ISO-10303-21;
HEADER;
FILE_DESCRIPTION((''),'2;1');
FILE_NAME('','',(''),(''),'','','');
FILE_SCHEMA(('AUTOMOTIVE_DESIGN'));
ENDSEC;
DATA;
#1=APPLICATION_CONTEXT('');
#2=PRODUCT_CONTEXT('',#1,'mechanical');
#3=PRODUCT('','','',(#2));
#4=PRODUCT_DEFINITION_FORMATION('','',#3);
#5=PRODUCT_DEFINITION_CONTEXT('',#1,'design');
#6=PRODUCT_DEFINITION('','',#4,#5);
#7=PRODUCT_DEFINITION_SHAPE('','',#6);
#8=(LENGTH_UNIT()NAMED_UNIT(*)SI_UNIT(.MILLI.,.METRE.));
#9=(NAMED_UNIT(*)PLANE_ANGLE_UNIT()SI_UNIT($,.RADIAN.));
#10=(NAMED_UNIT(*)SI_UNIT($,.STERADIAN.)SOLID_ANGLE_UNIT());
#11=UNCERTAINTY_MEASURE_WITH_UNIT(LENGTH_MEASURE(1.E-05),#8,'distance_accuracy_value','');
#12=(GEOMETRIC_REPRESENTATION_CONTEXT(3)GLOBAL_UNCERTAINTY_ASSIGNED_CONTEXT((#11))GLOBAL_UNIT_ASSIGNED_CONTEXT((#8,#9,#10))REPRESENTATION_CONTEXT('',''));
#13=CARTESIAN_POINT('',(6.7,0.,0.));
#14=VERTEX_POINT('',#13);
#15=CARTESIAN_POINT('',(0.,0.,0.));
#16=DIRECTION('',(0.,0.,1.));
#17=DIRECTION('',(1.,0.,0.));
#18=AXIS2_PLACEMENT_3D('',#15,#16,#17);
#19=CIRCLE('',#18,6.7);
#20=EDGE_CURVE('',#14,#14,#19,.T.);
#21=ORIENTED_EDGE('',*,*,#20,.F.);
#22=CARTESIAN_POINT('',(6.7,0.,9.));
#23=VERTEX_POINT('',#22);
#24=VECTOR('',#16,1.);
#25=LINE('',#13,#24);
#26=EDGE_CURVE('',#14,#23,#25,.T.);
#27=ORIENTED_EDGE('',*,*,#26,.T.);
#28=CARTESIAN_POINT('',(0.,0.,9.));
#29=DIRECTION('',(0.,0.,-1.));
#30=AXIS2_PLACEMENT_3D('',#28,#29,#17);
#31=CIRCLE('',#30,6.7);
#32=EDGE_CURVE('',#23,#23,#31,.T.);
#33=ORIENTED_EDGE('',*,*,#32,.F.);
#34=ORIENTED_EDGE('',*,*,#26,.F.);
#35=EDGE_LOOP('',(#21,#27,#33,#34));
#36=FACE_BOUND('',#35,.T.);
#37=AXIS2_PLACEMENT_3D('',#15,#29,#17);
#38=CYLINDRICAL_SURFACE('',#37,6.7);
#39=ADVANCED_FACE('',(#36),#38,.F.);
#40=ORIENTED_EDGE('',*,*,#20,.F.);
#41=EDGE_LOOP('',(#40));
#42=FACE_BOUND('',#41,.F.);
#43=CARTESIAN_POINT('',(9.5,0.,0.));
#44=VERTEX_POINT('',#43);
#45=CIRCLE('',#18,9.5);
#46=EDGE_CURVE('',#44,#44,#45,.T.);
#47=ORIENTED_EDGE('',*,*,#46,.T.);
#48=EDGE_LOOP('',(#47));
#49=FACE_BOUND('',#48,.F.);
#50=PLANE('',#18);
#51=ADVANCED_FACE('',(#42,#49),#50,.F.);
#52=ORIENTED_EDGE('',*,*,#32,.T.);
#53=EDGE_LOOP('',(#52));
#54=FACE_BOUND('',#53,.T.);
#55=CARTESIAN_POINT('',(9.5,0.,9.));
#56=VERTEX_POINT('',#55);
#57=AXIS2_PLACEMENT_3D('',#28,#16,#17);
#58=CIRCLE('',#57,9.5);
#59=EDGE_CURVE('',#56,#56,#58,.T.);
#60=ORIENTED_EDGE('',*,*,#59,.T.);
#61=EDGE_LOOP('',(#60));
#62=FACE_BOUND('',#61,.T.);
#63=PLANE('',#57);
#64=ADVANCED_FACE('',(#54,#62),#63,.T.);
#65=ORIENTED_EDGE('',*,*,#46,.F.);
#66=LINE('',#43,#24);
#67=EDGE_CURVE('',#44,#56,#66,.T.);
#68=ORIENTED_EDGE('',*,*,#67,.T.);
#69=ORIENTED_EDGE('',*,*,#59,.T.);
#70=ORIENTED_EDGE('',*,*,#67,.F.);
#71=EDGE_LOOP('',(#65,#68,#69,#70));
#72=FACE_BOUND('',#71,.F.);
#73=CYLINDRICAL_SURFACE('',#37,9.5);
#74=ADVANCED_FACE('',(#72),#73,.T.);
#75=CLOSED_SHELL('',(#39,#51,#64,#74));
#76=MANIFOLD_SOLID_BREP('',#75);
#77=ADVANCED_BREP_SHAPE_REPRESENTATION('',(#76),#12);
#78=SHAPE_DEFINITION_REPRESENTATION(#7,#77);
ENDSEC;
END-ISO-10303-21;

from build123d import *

# Parameters (mm, degrees)
CYLINDER112024025003003006008_R     = 6.7
CYLINDER112024025003003006008_DEPTH = 10
CYLINDER112024025003003006007_R     = 9.5
CYLINDER112024025003003006007_DEPTH = 9


with BuildPart() as v_lec180:
    # Cylinder112024025003003006008 → Cylinder112024025003003006008 (new body)
    with BuildSketch(Plane.XY):
        Circle(CYLINDER112024025003003006008_R)
    extrude(amount=CYLINDER112024025003003006008_DEPTH)


with BuildPart() as distance_ring:
    # Cylinder112024025003003006007 → Cylinder112024025003003006007 (new body)
    with BuildSketch(Plane.XY):
        Circle(CYLINDER112024025003003006007_R)
    extrude(amount=CYLINDER112024025003003006007_DEPTH)

    # Cut018020020009027020002003004004004: cut Válec180
    add(v_lec180.part, mode=Mode.SUBTRACT)


solid = distance_ring.part
